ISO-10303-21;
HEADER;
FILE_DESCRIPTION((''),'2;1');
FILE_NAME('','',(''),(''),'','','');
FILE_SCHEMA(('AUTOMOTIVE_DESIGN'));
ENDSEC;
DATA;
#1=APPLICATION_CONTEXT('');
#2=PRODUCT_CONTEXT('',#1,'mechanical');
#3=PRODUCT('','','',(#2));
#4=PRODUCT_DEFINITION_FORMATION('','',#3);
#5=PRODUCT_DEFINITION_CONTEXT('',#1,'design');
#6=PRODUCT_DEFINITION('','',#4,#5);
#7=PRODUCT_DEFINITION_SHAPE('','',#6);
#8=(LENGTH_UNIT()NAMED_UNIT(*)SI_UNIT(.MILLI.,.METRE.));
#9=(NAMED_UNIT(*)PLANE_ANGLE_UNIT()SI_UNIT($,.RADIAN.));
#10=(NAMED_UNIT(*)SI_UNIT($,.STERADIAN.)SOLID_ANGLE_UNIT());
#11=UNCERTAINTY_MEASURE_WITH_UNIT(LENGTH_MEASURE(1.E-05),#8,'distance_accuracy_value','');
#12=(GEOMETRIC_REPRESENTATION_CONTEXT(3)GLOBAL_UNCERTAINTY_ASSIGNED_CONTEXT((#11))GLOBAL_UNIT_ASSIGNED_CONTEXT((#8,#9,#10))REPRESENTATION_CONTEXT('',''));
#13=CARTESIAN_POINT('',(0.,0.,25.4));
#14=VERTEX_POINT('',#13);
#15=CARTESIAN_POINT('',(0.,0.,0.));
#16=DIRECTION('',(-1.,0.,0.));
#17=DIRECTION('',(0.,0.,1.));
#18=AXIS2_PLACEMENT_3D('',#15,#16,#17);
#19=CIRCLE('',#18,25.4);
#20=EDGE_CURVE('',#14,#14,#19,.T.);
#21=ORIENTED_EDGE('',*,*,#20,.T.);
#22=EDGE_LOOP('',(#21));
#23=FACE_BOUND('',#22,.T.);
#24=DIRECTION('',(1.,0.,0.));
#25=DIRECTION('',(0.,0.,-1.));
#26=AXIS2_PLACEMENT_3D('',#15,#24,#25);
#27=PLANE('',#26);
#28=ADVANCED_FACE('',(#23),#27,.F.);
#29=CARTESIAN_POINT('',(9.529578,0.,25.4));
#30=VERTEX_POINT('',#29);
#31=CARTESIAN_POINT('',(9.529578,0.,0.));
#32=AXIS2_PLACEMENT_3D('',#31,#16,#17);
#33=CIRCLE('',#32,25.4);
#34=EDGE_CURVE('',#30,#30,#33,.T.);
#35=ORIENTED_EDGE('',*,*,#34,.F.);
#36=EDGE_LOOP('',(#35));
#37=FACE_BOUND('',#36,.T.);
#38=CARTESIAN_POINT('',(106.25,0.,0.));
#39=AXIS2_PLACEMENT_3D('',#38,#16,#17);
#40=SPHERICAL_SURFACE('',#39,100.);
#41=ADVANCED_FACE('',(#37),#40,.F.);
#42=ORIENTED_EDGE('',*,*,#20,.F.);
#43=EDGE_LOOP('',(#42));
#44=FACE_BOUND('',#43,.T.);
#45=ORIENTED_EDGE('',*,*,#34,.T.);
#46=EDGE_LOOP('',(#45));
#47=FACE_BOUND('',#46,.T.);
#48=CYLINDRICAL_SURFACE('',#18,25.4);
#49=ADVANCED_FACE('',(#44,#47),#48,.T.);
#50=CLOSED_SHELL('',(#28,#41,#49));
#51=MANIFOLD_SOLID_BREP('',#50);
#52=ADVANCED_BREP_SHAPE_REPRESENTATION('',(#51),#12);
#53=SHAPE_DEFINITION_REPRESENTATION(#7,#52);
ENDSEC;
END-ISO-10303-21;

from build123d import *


with BuildPart() as part:
    # 草图1 → 旋转1 (revolve)
    with BuildSketch(Plane(origin=(0, 0, 0), x_dir=(1, 0, 0), z_dir=(0, 1, 0)), mode=Mode.PRIVATE) as revolve_1_sk:
        with BuildLine():
            Line((0, 0), (6.25, 0))
            ThreePointArc((6.25, 0), (7.07328352, 12.805424953), (9.529578165, 25.4))
            Line((9.529578165, 25.4), (0, 25.4))
            Line((0, 25.4), (0, 0))
        make_face()
    revolve(revolve_1_sk.sketch.rotate(Axis((0, 0, 0), (1, 0, 0)), 180), axis=Axis((0, 0, 0), (1, 0, 0)))  # turned: the seam where the file's is


solid = part.part
